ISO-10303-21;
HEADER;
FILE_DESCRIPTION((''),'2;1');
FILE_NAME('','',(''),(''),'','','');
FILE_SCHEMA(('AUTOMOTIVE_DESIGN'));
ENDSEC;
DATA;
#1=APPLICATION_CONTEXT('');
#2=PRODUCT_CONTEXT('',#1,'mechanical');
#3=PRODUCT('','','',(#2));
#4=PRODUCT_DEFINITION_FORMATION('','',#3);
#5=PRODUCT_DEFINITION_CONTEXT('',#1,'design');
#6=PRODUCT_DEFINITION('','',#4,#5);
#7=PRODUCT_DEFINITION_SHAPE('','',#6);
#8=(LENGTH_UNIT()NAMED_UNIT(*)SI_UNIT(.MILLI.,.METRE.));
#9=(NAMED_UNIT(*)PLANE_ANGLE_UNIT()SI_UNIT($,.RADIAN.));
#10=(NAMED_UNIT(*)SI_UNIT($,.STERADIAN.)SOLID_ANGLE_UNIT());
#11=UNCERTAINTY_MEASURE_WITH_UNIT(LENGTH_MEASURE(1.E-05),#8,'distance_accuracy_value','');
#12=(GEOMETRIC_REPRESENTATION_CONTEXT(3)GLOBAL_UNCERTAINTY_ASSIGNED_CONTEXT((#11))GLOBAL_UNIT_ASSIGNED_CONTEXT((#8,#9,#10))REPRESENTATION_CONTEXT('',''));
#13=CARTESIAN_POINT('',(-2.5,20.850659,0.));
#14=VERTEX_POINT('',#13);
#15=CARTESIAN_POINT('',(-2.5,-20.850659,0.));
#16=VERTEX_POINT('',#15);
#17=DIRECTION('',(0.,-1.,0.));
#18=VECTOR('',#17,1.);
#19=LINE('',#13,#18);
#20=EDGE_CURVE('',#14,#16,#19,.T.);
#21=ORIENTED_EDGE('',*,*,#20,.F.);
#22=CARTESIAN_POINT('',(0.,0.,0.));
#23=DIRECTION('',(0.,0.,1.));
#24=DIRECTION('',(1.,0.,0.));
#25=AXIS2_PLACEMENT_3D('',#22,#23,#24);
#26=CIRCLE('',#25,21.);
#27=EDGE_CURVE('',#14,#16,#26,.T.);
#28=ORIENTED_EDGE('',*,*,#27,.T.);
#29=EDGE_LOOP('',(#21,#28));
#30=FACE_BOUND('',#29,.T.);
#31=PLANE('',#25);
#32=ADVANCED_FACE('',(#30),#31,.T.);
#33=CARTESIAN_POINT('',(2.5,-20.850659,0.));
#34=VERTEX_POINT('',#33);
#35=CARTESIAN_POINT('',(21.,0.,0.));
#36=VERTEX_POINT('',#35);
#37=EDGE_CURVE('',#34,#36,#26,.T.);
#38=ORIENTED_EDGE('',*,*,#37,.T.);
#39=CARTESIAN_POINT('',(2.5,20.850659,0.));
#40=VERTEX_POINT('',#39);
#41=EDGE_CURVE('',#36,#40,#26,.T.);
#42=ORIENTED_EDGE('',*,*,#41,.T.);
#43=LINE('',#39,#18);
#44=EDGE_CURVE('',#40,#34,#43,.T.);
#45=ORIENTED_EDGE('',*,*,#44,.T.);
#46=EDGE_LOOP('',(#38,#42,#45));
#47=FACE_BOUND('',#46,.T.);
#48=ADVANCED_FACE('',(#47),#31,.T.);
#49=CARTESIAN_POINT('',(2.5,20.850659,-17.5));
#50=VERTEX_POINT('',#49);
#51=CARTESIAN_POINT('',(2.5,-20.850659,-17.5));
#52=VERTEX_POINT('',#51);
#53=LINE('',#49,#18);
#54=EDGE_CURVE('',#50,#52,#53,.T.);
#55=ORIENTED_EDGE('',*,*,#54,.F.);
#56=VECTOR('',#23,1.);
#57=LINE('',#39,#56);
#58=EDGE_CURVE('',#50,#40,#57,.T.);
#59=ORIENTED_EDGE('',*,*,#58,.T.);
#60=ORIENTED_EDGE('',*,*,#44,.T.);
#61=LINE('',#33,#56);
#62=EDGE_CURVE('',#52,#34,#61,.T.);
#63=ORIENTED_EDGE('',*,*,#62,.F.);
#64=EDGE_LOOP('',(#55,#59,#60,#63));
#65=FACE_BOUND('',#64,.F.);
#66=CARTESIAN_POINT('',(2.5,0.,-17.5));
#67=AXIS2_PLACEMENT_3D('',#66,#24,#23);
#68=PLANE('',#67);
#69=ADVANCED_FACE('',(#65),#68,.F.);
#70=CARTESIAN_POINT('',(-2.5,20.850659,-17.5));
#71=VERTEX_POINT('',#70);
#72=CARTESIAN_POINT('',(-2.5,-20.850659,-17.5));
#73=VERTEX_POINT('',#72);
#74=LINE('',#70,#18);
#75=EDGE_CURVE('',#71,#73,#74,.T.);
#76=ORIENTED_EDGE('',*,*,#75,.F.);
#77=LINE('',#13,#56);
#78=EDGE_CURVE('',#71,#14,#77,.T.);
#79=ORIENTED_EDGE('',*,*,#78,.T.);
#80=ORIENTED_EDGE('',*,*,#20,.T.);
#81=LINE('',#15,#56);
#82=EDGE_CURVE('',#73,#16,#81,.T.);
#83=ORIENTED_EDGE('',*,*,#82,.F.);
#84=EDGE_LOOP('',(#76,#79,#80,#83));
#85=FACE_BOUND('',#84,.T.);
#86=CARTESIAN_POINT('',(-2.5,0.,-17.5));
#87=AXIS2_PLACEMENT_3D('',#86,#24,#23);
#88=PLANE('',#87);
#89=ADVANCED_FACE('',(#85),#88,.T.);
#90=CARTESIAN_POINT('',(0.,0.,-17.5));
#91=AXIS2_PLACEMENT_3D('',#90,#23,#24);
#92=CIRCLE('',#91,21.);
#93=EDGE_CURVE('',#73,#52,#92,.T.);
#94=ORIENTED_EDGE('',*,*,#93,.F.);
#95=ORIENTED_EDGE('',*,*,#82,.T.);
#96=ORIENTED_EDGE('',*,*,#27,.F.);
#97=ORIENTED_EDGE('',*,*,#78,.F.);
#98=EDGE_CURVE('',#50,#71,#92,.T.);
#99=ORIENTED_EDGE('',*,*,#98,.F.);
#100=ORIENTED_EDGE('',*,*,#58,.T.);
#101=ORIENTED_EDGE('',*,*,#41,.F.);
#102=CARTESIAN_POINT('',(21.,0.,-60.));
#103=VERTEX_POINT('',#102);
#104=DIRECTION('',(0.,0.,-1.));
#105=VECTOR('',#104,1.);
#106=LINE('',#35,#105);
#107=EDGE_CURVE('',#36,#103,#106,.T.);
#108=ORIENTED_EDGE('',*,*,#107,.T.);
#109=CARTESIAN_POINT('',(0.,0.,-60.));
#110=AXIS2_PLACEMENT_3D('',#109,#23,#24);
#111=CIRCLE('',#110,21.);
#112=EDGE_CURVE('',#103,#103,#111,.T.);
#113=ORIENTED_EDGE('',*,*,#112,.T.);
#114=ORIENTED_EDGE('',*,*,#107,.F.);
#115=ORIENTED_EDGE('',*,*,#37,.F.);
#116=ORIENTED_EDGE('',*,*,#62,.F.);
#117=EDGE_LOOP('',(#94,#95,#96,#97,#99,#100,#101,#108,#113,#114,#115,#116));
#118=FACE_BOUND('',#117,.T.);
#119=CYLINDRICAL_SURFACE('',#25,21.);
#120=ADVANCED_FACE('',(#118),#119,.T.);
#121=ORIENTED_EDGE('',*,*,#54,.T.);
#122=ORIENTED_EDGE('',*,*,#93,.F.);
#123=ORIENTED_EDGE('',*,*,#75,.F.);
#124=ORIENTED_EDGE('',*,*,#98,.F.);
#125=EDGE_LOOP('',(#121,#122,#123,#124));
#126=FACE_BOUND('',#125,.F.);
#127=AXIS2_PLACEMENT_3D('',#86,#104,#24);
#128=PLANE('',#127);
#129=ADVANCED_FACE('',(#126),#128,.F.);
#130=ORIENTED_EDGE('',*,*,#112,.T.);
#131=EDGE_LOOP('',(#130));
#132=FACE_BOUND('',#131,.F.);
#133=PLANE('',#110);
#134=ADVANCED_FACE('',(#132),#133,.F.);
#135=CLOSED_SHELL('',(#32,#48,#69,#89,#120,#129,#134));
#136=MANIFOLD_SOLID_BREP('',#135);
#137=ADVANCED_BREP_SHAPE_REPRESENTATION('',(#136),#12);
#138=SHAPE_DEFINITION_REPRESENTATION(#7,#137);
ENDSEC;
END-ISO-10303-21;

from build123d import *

# Parameters (mm, degrees)
F0_R          = 21
F1_DEPTH      = 60
F2_W          = 5
F2_H          = 35
F3_DEPTH      = 21.001
F3_DEPTH_BACK = 21.001


with BuildPart() as f1:
    # F0 (on Top) → F1 (new body)
    with BuildSketch(Plane.XY):
        Circle(F0_R)
    extrude(amount=-F1_DEPTH)

    # F2 (on Front) → F3 (cut, two sides)
    with BuildSketch(Plane.XZ) as f3_sk:
        Rectangle(F2_W, F2_H)
    extrude(amount=F3_DEPTH, mode=Mode.SUBTRACT)
    extrude(f3_sk.sketch, amount=-F3_DEPTH_BACK, mode=Mode.SUBTRACT)


solid = f1.part
